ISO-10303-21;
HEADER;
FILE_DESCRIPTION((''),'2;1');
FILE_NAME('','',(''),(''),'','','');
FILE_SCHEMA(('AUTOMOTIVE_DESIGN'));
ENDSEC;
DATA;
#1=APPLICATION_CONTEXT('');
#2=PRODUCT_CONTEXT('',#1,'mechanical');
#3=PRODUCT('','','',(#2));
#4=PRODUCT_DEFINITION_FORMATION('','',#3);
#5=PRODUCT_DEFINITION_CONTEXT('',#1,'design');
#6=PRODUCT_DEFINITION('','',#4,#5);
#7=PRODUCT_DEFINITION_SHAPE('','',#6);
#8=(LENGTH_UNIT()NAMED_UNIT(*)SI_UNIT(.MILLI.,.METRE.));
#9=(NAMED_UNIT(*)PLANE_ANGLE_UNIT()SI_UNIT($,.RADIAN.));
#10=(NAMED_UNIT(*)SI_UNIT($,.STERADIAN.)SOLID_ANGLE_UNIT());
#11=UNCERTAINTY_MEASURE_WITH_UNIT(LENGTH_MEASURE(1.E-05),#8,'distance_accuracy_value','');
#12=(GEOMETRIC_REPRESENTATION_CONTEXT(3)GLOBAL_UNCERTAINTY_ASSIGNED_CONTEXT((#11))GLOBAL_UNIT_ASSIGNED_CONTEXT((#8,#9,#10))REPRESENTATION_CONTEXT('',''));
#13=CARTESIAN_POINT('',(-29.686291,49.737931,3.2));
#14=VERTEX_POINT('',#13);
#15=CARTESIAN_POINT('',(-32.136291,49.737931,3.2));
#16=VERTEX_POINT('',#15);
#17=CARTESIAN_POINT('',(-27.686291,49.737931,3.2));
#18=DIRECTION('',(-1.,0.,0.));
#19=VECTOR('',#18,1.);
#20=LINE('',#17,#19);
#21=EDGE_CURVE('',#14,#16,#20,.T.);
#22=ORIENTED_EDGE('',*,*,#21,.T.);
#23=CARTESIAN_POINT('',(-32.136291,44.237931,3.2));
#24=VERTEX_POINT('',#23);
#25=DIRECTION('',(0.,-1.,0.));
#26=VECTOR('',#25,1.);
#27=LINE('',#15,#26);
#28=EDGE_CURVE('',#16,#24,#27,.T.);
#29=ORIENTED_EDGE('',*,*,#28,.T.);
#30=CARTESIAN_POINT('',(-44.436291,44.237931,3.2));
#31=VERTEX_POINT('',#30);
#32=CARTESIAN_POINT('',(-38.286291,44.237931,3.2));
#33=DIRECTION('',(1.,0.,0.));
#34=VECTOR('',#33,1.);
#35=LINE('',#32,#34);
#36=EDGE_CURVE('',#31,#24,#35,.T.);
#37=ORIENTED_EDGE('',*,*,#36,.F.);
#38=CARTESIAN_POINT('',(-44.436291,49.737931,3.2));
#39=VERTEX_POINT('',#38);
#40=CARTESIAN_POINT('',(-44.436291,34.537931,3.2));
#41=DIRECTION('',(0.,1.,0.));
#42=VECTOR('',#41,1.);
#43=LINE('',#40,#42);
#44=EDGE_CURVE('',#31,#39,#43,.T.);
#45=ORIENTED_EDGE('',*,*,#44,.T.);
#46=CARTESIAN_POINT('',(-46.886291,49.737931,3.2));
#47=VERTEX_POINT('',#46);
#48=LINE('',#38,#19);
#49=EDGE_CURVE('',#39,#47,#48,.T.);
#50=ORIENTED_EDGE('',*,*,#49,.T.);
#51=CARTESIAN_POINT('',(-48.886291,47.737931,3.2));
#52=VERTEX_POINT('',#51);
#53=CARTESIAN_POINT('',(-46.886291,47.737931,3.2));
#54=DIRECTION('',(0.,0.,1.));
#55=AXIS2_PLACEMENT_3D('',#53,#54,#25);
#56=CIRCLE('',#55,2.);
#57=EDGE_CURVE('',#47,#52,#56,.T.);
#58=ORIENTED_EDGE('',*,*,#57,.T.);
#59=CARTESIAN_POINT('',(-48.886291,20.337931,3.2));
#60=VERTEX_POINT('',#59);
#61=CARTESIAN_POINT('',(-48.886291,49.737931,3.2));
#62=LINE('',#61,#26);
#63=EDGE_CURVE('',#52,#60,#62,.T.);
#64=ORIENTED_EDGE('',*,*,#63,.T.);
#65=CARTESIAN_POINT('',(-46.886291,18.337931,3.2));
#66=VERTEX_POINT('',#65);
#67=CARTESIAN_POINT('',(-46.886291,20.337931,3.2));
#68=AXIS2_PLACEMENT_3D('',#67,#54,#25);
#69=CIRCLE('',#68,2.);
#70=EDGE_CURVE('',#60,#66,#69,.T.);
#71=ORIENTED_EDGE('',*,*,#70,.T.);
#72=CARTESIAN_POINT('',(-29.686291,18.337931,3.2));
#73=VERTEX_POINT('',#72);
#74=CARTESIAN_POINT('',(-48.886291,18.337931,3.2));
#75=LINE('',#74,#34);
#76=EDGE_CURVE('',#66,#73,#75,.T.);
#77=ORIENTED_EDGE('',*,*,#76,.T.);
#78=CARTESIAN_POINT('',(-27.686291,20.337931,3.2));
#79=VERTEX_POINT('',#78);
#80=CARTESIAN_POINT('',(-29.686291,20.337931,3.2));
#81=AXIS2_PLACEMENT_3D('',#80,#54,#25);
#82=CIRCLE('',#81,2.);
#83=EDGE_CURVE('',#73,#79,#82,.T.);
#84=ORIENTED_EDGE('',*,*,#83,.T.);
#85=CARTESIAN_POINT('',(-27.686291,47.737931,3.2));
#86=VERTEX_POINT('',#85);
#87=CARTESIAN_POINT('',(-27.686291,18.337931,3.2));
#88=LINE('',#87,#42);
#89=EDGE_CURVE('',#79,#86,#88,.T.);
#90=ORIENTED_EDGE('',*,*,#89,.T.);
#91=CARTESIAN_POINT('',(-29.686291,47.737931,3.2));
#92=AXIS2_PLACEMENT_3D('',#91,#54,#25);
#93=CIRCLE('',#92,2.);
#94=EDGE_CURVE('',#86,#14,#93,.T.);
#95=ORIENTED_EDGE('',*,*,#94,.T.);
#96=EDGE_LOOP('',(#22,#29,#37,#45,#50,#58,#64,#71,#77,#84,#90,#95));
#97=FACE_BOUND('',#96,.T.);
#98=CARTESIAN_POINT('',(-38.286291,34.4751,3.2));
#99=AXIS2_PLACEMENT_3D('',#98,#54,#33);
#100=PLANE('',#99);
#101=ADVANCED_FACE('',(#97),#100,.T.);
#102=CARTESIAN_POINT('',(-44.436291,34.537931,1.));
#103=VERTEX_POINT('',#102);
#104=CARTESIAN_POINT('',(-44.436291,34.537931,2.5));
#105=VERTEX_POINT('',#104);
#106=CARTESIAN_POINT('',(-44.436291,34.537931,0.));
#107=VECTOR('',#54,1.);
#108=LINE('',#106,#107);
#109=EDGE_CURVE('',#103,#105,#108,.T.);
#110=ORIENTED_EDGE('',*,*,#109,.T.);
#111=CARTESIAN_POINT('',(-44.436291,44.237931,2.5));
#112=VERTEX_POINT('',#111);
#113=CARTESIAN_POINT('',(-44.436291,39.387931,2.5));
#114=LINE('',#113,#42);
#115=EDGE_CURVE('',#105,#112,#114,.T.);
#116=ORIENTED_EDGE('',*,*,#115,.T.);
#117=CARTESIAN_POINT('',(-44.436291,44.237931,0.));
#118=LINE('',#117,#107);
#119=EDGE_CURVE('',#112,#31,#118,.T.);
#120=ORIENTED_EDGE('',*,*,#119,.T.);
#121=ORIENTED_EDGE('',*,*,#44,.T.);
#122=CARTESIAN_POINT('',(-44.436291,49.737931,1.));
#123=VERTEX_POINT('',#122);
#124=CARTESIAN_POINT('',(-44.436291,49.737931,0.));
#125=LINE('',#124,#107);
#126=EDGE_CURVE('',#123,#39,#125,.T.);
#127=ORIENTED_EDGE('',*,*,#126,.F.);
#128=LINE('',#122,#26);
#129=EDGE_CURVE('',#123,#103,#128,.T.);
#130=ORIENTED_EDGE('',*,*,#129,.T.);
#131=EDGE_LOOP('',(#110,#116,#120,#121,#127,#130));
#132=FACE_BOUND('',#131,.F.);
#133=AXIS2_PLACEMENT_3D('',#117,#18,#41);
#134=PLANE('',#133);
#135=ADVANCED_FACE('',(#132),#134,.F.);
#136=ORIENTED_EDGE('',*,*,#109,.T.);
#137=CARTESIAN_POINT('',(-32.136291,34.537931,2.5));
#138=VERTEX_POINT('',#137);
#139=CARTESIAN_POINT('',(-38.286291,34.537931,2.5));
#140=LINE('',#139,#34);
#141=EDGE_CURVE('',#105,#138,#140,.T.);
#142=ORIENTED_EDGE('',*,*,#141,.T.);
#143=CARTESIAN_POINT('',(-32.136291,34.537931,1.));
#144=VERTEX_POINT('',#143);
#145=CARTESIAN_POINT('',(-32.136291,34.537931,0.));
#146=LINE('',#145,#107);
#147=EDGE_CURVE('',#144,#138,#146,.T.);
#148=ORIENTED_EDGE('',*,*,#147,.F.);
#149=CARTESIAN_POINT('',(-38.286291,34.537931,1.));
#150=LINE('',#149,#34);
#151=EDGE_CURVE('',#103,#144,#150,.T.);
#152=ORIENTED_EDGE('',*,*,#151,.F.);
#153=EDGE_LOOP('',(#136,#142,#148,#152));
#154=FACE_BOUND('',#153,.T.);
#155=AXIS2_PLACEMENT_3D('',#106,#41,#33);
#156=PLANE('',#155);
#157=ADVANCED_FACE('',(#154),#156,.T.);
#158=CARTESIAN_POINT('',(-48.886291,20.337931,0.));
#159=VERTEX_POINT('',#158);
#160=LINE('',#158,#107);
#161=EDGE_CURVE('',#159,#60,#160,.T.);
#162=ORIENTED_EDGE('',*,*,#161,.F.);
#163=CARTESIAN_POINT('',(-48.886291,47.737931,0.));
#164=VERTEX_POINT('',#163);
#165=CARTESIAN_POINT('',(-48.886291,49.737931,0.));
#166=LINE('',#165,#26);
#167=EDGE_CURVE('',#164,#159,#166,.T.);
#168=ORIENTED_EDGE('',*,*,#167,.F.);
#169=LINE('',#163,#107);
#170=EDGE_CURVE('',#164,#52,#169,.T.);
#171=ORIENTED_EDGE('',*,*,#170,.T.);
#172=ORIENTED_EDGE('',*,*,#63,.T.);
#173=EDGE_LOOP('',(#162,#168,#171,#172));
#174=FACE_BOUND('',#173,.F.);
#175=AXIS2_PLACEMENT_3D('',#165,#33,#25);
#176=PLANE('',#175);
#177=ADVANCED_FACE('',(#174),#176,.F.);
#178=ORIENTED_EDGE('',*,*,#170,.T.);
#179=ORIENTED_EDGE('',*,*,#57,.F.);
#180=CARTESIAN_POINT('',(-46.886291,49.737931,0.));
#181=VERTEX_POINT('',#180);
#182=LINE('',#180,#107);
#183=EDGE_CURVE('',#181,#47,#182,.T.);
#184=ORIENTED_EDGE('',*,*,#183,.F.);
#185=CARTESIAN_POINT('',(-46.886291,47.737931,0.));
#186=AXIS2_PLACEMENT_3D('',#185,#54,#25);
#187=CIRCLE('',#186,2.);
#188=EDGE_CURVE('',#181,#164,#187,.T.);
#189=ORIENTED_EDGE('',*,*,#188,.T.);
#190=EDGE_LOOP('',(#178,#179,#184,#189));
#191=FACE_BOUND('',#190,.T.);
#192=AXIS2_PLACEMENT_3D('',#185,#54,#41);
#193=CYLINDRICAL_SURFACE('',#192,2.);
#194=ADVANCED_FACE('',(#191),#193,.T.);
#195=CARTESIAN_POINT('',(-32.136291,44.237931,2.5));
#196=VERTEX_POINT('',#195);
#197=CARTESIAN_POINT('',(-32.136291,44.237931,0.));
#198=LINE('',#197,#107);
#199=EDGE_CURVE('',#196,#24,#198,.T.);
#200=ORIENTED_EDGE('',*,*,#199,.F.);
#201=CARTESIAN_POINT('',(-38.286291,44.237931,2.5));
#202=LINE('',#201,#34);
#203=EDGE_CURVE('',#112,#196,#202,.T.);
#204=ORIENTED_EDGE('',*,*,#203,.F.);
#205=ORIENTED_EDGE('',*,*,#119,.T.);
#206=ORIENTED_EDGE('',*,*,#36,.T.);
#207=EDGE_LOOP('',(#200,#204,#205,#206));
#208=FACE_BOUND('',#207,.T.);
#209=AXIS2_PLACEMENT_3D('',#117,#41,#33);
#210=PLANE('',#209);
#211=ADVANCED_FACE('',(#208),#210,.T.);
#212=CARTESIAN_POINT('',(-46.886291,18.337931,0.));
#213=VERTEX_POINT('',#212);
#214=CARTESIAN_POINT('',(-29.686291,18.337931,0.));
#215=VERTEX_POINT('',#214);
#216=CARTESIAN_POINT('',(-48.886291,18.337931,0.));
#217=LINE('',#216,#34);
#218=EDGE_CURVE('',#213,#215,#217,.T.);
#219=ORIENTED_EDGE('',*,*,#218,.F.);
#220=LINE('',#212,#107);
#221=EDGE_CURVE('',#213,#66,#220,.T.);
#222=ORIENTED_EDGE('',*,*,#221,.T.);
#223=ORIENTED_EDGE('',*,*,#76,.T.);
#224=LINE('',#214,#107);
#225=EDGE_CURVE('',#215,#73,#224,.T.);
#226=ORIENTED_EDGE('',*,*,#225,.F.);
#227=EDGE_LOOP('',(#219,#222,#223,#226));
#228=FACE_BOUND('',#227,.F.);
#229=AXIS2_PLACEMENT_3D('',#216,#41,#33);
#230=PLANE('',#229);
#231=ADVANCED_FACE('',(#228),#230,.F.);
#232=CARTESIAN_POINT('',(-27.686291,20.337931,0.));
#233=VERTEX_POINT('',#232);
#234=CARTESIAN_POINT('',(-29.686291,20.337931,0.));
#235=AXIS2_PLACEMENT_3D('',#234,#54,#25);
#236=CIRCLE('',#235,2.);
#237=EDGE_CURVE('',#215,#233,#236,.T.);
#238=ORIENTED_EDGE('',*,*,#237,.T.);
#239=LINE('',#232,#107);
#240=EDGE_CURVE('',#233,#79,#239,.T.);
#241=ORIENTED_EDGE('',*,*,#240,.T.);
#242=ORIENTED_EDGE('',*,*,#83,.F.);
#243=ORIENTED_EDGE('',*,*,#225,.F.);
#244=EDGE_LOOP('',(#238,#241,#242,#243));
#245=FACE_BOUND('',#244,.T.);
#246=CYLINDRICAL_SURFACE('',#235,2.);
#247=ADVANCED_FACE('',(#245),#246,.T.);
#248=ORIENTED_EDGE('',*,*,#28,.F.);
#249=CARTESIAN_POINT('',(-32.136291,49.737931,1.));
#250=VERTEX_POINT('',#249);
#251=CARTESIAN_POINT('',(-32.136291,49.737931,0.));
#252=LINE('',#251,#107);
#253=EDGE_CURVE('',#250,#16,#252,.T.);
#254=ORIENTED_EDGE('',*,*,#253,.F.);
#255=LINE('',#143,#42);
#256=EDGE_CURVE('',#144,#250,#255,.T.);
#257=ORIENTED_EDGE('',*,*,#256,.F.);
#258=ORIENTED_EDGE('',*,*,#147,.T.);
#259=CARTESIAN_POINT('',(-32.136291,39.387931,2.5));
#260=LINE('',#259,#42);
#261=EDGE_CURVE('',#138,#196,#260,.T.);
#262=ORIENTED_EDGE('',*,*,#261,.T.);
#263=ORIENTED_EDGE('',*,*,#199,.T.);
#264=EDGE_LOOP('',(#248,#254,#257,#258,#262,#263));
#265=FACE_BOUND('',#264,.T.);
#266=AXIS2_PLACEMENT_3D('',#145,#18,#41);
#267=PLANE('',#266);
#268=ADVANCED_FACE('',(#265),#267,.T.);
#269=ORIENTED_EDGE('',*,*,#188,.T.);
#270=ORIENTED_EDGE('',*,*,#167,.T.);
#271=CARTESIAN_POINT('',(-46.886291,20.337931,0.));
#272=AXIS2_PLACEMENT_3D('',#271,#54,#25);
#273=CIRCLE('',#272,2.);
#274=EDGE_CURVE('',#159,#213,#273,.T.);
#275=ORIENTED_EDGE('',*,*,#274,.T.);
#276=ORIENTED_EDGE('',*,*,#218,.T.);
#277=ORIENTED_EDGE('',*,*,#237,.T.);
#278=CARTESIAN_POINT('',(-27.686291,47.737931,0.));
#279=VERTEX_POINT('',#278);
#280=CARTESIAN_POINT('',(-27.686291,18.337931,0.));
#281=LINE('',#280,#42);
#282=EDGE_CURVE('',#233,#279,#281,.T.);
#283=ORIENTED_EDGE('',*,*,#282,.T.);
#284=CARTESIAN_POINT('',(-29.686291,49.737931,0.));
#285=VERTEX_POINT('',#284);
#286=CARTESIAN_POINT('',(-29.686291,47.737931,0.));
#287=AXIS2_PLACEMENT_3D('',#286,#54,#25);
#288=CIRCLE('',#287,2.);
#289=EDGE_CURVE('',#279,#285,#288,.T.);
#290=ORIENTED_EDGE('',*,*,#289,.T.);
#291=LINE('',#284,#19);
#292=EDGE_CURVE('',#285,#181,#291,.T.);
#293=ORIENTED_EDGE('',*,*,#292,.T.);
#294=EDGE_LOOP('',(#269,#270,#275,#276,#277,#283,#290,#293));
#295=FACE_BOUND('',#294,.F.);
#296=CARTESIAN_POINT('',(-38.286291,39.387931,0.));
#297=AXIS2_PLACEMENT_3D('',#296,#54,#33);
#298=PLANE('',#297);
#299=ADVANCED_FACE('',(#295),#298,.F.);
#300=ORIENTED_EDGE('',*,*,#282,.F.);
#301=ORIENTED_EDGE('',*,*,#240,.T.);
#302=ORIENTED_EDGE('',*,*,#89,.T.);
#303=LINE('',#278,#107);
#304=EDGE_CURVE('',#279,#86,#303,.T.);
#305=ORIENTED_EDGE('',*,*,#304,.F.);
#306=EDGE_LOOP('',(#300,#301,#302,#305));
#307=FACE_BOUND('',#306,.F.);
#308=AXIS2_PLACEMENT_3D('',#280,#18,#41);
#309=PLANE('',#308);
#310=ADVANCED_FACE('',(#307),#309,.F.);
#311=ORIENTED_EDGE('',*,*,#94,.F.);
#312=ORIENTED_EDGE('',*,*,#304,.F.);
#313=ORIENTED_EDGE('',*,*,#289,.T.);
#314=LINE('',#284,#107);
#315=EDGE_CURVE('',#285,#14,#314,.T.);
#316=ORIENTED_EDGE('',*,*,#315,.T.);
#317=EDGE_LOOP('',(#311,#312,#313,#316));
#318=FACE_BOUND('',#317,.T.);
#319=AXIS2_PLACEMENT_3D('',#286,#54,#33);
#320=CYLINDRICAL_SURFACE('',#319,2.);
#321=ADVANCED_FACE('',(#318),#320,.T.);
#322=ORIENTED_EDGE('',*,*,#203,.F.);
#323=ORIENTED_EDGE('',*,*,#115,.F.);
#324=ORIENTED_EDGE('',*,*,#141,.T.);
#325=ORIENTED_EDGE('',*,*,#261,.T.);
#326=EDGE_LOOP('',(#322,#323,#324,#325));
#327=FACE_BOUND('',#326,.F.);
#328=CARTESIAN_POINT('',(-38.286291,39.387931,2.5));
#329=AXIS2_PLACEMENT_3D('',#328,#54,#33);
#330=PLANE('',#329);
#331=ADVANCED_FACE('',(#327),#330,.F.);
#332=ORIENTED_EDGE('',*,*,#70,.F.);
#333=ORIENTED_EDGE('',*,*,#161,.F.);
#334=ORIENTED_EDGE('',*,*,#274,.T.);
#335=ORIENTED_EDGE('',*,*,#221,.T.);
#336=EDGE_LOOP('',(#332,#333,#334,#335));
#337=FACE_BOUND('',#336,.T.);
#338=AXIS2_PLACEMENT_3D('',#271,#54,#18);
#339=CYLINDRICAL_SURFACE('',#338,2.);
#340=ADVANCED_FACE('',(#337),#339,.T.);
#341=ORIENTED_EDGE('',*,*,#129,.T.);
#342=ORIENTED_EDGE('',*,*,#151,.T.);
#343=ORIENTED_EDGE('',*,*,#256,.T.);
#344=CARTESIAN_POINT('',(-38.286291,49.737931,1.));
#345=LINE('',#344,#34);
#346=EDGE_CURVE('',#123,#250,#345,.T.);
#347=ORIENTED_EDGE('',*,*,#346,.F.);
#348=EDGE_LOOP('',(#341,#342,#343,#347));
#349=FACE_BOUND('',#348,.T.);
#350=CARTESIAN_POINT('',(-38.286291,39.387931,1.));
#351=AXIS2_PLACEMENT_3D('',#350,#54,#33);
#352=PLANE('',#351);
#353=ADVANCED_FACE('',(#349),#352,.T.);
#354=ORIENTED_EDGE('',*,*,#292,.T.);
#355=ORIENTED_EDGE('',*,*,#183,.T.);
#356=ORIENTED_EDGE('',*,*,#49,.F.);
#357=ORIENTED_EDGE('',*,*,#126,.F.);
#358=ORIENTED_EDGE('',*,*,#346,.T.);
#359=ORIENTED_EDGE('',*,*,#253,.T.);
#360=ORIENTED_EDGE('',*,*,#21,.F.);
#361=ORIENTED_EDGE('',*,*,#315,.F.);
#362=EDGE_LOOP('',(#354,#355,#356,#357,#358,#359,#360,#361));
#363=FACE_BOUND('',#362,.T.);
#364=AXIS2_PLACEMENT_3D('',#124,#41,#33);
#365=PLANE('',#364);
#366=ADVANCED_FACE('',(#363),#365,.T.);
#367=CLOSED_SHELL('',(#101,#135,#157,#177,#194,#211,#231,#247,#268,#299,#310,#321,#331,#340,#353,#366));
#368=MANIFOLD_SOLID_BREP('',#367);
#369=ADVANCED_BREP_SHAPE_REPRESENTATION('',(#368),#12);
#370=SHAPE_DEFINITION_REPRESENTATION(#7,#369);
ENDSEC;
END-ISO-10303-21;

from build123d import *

# Parameters (mm, degrees)
F0_W     = 12.3
F0_H     = 9.7
F1_DEPTH = 3.2
F2_R     = 2
F3_DEPTH = 2.5
F0_H_2   = 5.5
F4_DEPTH = 1


with BuildPart() as f1:
    # F0 (on Top) → F1 (new body)
    with BuildSketch(Plane.XY):
        Polygon((-44.4362910628, 49.737931484), (-48.8862910628, 49.737931484), (-48.8862910628, 18.337931484), (-27.6862910628, 18.337931484), (-27.6862910628, 49.737931484), (-32.1362910628, 49.737931484), (-32.1362910628, 44.237931484), (-32.1362910628, 34.537931484), (-44.4362910628, 34.537931484), (-44.4362910628, 44.237931484), align=None)
        with Locations((-38.2862910628, 39.387931484)):
            Rectangle(F0_W, F0_H)
    extrude(amount=F1_DEPTH)

    # F2
    f2_edges = [f1.edges().sort_by_distance(p)[0] for p in [
        (-27.686291, 18.337931, 1.6),
        (-27.686291, 49.737931, 1.6),
        (-48.886291, 18.337931, 1.6),
        (-48.886291, 49.737931, 1.6),
    ]]
    fillet(f2_edges, radius=F2_R)

    # F0 (on Top) → F3 (cut)
    with BuildSketch(Plane.XY):
        with Locations((-38.2862910628, 39.387931484)):
            Rectangle(F0_W, F0_H)
    extrude(amount=F3_DEPTH, mode=Mode.SUBTRACT)

    # F0 (on Top) → F4 (join)
    with BuildSketch(Plane.XY):
        with Locations((-38.2862910628, 39.387931484)):
            Rectangle(F0_W, F0_H)
        with Locations((-38.2862910628, 46.987931484)):
            Rectangle(F0_W, F0_H_2)
    extrude(amount=F4_DEPTH)


solid = f1.part
